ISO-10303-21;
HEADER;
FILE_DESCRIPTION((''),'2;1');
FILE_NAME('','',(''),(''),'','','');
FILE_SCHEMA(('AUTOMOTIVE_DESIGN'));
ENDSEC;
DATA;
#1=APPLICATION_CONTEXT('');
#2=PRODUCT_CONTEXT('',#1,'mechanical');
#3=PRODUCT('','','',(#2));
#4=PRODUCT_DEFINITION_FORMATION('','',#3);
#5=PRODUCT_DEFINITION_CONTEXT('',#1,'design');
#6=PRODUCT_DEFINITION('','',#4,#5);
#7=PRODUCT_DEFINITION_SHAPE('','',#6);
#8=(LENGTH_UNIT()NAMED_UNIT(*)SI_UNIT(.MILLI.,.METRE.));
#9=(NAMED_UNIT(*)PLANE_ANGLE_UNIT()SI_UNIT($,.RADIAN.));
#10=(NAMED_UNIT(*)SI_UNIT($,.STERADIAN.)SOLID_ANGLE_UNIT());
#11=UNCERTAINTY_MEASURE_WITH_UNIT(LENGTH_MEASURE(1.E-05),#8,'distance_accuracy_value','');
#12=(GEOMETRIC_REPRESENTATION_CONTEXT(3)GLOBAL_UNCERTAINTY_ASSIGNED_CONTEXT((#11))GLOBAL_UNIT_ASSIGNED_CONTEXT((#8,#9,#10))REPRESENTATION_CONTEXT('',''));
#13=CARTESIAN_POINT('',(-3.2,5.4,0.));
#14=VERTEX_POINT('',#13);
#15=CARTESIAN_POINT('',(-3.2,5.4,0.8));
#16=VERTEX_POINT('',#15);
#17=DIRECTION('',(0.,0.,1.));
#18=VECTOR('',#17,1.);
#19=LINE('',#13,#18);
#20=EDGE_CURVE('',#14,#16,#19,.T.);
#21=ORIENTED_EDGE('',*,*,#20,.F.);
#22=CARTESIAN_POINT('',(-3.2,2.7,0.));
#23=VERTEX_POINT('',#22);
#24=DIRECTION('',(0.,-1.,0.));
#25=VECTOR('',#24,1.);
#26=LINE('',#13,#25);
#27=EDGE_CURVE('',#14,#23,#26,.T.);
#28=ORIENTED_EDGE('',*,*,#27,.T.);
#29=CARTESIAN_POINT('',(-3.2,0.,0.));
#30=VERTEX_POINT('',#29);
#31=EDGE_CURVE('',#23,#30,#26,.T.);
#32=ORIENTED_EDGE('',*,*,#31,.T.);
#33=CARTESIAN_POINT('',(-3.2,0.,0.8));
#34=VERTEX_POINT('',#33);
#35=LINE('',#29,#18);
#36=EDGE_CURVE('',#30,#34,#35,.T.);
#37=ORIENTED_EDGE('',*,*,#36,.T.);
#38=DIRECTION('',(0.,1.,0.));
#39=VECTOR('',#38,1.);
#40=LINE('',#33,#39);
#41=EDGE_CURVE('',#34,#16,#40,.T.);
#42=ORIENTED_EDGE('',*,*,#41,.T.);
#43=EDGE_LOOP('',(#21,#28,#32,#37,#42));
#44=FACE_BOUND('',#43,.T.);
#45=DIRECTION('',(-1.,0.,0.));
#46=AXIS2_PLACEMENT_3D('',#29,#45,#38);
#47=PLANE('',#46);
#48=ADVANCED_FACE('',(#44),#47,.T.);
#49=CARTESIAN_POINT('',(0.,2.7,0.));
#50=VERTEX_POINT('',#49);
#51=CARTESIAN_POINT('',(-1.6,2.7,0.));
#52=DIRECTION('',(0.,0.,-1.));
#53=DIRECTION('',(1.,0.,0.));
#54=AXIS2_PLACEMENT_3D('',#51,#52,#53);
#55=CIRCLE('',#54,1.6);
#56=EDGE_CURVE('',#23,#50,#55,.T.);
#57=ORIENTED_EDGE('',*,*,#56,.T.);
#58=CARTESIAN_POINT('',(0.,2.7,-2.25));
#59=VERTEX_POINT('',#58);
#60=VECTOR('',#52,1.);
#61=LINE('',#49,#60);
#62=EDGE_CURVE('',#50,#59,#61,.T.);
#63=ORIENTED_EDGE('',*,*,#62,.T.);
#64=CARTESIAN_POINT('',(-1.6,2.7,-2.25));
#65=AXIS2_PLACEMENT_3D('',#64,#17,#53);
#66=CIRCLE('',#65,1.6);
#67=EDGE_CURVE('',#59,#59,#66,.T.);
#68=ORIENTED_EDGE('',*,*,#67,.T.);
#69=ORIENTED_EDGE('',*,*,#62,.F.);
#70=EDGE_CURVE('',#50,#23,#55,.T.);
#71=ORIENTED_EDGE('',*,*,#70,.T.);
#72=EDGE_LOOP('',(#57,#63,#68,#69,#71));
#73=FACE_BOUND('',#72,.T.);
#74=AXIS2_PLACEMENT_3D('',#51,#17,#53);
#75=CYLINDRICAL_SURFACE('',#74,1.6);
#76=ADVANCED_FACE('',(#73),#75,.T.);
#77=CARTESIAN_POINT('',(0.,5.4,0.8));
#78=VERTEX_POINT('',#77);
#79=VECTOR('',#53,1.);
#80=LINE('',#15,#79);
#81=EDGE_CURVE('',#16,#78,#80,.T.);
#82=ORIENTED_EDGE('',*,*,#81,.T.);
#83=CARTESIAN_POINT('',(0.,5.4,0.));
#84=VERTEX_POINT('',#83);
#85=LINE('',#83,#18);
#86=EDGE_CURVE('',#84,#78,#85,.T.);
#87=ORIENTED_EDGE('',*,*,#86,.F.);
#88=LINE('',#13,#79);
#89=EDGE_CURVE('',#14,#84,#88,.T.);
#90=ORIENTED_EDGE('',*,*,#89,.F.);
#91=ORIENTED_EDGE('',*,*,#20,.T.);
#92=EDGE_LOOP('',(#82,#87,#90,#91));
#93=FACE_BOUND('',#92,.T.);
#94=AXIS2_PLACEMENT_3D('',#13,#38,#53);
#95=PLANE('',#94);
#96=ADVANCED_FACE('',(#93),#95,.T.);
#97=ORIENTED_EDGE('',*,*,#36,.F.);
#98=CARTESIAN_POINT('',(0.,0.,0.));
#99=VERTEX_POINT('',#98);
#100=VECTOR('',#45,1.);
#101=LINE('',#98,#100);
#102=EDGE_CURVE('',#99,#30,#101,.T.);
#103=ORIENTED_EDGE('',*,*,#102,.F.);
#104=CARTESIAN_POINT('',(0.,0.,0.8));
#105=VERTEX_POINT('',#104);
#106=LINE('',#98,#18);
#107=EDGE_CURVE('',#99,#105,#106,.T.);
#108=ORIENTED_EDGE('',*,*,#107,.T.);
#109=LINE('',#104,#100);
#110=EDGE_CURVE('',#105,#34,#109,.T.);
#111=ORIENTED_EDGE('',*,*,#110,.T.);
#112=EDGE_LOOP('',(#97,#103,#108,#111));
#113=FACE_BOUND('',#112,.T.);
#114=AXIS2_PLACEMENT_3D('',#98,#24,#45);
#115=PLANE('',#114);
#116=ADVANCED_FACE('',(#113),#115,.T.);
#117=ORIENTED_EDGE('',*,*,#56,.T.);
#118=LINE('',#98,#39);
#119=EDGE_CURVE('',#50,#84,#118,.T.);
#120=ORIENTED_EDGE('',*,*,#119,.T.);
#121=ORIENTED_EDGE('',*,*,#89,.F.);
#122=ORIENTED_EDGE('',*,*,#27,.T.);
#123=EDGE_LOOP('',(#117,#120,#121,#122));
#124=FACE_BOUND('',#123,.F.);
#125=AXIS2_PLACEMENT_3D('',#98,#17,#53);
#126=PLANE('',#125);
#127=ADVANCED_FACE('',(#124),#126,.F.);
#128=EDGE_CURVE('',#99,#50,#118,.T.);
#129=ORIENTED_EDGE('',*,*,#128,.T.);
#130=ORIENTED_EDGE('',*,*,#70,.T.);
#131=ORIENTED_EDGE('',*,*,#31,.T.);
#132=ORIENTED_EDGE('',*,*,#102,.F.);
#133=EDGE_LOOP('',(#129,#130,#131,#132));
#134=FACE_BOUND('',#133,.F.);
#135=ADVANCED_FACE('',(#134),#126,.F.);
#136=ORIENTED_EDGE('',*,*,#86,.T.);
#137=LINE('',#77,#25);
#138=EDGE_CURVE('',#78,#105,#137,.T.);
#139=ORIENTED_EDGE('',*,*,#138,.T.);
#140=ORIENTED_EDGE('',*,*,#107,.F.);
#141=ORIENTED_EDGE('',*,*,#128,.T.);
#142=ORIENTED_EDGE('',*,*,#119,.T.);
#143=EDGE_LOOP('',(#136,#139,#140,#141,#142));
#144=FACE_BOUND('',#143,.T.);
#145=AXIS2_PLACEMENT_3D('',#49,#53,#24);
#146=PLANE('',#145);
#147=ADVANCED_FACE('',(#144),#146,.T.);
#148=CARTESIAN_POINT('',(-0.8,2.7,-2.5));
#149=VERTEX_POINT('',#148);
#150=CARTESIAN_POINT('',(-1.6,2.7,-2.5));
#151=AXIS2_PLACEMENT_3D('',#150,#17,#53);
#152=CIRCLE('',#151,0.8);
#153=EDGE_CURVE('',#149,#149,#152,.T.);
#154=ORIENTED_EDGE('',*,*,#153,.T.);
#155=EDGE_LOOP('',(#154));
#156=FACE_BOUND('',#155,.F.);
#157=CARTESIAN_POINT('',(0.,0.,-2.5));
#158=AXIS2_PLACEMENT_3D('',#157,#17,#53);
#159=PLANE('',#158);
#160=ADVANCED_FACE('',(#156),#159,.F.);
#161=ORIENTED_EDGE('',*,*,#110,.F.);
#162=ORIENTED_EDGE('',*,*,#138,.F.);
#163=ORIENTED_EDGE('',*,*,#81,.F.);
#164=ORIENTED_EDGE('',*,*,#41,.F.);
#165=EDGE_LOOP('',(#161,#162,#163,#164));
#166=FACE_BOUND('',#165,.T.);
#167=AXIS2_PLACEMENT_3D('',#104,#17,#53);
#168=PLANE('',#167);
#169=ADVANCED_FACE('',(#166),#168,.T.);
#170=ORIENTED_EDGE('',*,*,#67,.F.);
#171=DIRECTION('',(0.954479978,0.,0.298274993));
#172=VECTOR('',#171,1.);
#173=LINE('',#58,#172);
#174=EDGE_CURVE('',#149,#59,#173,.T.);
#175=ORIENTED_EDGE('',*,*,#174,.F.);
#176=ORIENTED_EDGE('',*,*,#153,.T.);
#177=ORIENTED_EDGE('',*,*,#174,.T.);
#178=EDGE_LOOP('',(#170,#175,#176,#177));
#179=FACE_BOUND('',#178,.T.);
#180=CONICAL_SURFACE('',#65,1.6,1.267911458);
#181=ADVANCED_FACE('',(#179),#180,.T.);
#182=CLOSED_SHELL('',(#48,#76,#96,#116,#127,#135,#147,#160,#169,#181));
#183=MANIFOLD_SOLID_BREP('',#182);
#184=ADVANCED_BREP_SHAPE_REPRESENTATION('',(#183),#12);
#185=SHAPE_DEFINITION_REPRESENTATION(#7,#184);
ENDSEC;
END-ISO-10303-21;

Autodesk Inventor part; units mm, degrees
ref_plane "YZ Plane" through (0, 0, 0) normal (1, 0, 0) x (0, 1, 0)
ref_plane "XZ Plane" through (0, 0, 0) normal (0, 1, 0) x (-1, 0, 0)
ref_plane "XY Plane" through (0, 0, 0) normal (0, 0, 1) x (1, 0, 0)
sketch "Sketch1" plane through (0, 0, 0) normal (0, 0, 1) x (1, 0, 0)
  line L0 (0, 0) -> (-3.2, 0)
  line L1 (-3.2, 0) -> (-3.2, 5.4)
  line L2 (-3.2, 5.4) -> (0, 5.4)
  line L3 (0, 5.4) -> (0, 0)
  circle A0 centre (-1.6, 2.7) radius 1.2
  line L4 (0, 2.7) -> (-1.6, 2.7)
  circle A1 centre (-1.6, 2.7) radius 1.6
  line L5 (-1.6, 2.7) -> (-3.2, 2.7)
  point P0 (-2.2, 1.7802)
  point P1 (0, 2.7)
  point P2 (0, 1.7802)
  dimension "d0" = 3.2
  dimension "d1" = 5.4
  dimension "d9" = 3.2
  dimension "d10" = 0.4
extrude "Extrusion1" add sketch "Sketch1" along normal blind 0.8
extrude "Extrusion2" add sketch "Sketch1" against normal blind 2.5 contours A1 L5 A0 L4 | L4 A0 L5 A1 | L4 L5 A0 | A0 L5 L4
chamfer "Chamfer1" distance 0.8 distance2 0.25 1 edges at (-3.2, 2.7, -2.5) measured on face at (-1.6496, 3.1082, -2.5)
properties part number "ButtonInsert"
